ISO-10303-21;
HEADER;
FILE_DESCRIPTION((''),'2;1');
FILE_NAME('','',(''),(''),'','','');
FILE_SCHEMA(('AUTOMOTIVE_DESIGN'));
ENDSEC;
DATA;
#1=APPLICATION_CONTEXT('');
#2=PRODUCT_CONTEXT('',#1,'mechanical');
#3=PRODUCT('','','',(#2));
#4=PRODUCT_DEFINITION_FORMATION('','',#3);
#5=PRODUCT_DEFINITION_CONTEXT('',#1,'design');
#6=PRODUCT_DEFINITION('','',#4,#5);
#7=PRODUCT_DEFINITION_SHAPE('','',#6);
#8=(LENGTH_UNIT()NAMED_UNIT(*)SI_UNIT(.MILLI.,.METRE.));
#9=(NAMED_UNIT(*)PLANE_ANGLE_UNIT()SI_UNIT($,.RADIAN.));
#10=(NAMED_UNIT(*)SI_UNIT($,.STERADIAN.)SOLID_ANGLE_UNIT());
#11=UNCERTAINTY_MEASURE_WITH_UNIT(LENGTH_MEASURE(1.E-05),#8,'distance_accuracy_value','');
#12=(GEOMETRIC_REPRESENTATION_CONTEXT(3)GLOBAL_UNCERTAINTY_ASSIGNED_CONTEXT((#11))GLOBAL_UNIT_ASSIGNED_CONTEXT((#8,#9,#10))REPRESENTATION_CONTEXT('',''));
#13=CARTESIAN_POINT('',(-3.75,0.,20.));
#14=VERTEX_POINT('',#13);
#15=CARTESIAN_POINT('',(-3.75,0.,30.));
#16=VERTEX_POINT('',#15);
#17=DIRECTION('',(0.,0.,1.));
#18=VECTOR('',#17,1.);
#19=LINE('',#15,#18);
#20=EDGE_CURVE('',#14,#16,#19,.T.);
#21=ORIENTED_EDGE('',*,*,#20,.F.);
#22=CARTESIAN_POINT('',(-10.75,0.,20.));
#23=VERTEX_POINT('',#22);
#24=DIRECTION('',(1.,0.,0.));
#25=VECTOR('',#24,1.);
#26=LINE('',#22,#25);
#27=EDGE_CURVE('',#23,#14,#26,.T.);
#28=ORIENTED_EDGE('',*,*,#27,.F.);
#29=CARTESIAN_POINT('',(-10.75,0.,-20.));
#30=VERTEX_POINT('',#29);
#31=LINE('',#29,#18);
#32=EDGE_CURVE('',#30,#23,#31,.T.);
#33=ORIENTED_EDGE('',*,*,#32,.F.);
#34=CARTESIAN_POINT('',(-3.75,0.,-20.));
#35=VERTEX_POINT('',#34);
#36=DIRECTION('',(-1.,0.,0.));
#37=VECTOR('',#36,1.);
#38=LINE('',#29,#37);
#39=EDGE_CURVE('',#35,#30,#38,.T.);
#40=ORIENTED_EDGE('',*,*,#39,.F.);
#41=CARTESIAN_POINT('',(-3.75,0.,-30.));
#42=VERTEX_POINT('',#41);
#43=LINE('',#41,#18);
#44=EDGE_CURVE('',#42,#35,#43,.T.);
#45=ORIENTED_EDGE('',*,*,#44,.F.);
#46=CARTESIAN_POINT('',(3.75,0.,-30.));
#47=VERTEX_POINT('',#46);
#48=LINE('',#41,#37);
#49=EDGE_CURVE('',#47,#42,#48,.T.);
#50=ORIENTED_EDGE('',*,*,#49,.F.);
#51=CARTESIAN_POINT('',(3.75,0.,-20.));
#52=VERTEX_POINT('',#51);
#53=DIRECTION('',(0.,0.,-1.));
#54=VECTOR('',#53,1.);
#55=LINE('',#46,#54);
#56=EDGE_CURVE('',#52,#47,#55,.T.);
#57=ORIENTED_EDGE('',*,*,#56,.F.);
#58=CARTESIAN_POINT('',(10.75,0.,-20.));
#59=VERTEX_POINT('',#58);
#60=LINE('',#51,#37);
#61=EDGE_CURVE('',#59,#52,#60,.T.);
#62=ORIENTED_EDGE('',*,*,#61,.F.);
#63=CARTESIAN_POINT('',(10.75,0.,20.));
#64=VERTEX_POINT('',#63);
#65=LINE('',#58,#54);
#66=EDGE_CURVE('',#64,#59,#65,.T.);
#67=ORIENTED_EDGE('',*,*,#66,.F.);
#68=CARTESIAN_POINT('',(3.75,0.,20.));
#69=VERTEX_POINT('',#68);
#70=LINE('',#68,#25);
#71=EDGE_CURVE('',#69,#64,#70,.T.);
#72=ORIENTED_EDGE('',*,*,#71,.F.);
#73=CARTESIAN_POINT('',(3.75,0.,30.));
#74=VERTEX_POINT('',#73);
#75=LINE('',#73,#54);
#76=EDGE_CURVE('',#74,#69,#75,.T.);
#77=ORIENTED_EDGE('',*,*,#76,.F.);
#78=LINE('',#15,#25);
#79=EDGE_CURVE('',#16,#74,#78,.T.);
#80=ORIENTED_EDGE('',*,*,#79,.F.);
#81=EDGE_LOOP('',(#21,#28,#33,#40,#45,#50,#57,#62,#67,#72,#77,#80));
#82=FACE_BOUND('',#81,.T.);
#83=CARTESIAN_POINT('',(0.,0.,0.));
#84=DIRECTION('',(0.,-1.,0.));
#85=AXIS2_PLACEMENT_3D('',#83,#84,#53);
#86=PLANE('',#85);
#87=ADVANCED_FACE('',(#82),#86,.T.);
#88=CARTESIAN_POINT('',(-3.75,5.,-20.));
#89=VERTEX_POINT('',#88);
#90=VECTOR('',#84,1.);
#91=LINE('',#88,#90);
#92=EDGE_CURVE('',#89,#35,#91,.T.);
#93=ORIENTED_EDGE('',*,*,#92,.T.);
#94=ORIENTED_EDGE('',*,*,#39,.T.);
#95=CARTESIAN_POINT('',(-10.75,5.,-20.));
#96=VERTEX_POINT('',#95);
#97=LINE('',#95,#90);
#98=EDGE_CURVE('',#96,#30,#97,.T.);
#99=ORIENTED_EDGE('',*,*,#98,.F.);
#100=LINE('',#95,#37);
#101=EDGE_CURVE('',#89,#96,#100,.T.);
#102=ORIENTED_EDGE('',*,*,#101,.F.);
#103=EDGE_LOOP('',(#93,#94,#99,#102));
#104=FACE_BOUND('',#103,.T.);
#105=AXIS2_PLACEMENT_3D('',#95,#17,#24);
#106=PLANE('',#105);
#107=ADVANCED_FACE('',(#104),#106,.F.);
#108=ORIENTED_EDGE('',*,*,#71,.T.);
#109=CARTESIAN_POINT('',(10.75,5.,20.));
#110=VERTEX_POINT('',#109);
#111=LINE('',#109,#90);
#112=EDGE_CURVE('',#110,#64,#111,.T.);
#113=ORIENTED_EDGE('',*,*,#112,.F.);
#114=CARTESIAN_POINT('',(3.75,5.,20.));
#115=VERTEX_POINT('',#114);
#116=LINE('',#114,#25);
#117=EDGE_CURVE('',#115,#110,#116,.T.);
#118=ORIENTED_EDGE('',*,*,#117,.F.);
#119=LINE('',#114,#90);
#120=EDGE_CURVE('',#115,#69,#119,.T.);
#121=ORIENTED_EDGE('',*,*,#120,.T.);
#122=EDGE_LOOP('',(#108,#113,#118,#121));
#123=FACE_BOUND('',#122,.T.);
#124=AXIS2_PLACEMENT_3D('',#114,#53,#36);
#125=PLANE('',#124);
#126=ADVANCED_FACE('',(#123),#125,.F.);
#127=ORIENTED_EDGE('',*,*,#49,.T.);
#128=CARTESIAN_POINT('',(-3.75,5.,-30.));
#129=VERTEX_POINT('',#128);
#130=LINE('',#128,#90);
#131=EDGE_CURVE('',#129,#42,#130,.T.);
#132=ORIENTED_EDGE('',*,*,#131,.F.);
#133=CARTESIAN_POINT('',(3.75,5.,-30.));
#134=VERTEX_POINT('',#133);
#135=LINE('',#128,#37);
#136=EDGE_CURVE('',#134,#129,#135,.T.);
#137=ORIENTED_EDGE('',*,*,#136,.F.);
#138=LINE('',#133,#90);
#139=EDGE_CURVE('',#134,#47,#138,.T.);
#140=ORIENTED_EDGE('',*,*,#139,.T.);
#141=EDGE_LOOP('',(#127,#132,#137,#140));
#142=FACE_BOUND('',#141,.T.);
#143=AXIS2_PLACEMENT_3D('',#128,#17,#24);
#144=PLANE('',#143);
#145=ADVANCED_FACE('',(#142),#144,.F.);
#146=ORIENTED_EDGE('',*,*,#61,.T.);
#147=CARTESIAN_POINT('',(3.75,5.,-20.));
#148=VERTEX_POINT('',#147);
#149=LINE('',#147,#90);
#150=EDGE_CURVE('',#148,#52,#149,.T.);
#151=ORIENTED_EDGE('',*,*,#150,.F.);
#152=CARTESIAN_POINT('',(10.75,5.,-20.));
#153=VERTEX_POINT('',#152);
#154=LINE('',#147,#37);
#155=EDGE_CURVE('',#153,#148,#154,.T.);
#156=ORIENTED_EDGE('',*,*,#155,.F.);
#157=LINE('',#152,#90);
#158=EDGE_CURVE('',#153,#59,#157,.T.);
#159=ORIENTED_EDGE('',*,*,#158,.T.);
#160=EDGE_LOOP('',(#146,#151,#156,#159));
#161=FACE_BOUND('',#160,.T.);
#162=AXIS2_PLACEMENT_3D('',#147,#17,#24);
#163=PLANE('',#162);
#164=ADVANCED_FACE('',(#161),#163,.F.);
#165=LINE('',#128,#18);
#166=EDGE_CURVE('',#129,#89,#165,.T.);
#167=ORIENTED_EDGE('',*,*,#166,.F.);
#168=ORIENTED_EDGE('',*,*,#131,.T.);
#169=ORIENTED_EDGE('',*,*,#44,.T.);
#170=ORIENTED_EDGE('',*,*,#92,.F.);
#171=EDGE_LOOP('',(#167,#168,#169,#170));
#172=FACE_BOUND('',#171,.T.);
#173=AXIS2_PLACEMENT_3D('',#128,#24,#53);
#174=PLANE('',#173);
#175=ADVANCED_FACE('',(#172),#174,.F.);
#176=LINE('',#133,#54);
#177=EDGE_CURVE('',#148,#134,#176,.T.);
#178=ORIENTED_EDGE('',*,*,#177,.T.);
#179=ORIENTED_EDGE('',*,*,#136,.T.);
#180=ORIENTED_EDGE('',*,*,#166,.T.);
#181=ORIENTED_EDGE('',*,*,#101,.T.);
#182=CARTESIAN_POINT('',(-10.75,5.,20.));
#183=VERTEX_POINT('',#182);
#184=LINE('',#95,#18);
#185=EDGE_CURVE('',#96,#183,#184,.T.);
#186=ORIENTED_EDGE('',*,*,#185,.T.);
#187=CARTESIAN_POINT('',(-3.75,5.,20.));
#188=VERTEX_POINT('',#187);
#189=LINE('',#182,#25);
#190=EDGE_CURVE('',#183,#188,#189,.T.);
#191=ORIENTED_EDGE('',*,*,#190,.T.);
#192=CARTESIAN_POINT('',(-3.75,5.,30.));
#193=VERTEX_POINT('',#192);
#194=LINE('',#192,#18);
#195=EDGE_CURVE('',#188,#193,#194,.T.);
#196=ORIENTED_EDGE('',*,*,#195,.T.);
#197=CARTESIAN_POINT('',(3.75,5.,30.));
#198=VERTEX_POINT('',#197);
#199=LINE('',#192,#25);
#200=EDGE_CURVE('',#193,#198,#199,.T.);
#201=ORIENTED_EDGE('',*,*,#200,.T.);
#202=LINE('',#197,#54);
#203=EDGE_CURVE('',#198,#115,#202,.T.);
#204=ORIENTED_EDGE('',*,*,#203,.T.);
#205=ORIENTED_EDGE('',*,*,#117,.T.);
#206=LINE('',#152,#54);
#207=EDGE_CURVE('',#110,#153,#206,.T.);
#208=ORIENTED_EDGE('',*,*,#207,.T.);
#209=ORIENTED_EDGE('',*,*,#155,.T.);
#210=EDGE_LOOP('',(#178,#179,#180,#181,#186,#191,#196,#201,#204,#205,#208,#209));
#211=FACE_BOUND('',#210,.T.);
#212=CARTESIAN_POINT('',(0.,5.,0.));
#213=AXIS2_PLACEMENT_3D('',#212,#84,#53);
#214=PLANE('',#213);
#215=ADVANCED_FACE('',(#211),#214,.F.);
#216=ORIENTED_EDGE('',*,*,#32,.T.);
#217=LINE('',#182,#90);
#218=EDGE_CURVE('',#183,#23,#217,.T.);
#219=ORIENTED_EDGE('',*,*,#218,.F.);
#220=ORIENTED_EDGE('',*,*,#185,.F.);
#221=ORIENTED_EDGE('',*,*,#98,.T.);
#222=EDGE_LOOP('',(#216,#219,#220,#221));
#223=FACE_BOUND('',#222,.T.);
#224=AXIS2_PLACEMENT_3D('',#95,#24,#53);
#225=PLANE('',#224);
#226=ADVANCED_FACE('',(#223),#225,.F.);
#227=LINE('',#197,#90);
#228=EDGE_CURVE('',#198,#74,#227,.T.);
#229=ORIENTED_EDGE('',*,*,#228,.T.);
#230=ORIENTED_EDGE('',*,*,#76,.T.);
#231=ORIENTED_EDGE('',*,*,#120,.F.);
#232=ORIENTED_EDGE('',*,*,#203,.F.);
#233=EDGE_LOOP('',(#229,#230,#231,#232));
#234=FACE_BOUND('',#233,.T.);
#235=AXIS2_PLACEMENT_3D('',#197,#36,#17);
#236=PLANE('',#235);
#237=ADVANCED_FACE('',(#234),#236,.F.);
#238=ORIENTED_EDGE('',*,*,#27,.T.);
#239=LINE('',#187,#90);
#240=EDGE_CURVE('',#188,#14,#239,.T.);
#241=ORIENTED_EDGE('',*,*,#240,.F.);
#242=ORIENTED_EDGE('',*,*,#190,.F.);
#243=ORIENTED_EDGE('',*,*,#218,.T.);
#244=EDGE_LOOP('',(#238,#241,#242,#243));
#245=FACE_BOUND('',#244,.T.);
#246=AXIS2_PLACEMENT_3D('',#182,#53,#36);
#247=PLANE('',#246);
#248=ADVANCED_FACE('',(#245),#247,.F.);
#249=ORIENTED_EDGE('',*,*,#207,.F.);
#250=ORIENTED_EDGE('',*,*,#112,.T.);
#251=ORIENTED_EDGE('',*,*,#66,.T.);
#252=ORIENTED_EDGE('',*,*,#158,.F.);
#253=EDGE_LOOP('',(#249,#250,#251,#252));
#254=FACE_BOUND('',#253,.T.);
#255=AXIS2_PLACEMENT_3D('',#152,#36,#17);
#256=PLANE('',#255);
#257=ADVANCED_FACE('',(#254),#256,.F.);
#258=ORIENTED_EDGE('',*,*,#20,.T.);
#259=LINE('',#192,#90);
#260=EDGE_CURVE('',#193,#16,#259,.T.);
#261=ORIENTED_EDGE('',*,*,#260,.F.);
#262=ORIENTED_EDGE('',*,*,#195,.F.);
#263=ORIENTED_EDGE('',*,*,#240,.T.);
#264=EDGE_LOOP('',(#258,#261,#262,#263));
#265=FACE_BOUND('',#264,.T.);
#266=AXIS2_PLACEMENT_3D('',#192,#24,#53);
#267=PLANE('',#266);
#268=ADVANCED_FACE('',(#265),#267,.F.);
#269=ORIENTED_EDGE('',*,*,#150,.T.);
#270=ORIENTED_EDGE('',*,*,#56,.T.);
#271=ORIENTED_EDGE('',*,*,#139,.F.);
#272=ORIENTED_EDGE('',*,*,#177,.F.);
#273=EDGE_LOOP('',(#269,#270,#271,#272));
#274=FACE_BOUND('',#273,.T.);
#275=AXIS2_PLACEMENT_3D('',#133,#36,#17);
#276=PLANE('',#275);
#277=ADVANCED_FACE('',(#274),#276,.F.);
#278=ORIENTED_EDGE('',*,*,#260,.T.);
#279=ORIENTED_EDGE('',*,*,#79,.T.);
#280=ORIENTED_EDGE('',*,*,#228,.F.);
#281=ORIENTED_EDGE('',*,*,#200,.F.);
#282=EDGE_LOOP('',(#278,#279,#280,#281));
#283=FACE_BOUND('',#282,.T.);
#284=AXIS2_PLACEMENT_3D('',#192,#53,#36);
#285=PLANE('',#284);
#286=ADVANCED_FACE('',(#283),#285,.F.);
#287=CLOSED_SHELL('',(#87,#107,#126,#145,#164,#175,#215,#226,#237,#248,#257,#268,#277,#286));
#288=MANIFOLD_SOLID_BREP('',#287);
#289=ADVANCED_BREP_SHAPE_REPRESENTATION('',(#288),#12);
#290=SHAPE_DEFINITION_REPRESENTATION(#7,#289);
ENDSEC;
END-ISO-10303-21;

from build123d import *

# Parameters (mm, degrees)
BOSS_EXTRUDE1_DEPTH = 5


with BuildPart() as part:
    # Sketch1 → Boss-Extrude1 (new body)
    with BuildSketch(Plane(origin=(0, 0, 0), x_dir=(1, 0, 0), z_dir=(0, 1, 0))):
        Polygon((-10.75, 20), (-3.75, 20), (-3.75, 30), (3.75, 30), (3.75, 20), (10.75, 20), (10.75, -20), (3.75, -20), (3.75, -30), (-3.75, -30), (-3.75, -20), (-10.75, -20), align=None)
    extrude(amount=BOSS_EXTRUDE1_DEPTH)


solid = part.part
